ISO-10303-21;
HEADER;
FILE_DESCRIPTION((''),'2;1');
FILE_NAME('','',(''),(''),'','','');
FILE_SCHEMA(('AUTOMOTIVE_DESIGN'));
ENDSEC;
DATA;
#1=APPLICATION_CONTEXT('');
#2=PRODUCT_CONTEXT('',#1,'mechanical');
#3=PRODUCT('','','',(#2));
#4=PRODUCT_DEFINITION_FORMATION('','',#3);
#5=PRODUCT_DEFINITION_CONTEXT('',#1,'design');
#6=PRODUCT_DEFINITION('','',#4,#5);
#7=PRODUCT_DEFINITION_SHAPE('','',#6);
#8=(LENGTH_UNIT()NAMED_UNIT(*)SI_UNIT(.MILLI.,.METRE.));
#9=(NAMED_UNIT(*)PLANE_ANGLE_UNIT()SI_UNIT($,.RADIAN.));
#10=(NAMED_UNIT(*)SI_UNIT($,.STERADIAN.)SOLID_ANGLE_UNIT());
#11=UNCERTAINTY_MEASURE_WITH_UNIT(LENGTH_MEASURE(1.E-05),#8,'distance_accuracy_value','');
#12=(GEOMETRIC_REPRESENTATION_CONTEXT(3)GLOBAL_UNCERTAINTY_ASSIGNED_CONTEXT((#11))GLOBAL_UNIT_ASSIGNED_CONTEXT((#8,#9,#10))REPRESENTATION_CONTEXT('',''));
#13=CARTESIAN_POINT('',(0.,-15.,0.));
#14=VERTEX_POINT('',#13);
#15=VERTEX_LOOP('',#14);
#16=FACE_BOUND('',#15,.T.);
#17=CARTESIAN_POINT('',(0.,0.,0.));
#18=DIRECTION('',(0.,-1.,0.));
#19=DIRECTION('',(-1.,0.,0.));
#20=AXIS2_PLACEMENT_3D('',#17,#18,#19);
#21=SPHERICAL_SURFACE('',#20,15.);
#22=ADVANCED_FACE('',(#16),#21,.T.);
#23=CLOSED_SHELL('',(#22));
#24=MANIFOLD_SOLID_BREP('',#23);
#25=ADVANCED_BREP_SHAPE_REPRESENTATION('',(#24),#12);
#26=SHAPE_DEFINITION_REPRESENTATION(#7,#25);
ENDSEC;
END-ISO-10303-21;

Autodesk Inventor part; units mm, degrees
sketch "Sketch1" plane through (0, 0, 0) normal (0, 0, 1) x (1, 0, 0)
  circle A0 centre (0, 0) radius 15 construction
  line L0 (0, 15) -> (0, -15)
  arc A1 (0, 15) -> (0, -15) centre (0, 0) ccw
  dimension "d7" = 30
  dimension "d8" = 30
revolve "Revolution1" add sketch "Sketch1" angle 360 about axis through (0, 15, 0) along (0, -1, 0)
properties part number "sessao_07_04_004_001" material "Glass"
